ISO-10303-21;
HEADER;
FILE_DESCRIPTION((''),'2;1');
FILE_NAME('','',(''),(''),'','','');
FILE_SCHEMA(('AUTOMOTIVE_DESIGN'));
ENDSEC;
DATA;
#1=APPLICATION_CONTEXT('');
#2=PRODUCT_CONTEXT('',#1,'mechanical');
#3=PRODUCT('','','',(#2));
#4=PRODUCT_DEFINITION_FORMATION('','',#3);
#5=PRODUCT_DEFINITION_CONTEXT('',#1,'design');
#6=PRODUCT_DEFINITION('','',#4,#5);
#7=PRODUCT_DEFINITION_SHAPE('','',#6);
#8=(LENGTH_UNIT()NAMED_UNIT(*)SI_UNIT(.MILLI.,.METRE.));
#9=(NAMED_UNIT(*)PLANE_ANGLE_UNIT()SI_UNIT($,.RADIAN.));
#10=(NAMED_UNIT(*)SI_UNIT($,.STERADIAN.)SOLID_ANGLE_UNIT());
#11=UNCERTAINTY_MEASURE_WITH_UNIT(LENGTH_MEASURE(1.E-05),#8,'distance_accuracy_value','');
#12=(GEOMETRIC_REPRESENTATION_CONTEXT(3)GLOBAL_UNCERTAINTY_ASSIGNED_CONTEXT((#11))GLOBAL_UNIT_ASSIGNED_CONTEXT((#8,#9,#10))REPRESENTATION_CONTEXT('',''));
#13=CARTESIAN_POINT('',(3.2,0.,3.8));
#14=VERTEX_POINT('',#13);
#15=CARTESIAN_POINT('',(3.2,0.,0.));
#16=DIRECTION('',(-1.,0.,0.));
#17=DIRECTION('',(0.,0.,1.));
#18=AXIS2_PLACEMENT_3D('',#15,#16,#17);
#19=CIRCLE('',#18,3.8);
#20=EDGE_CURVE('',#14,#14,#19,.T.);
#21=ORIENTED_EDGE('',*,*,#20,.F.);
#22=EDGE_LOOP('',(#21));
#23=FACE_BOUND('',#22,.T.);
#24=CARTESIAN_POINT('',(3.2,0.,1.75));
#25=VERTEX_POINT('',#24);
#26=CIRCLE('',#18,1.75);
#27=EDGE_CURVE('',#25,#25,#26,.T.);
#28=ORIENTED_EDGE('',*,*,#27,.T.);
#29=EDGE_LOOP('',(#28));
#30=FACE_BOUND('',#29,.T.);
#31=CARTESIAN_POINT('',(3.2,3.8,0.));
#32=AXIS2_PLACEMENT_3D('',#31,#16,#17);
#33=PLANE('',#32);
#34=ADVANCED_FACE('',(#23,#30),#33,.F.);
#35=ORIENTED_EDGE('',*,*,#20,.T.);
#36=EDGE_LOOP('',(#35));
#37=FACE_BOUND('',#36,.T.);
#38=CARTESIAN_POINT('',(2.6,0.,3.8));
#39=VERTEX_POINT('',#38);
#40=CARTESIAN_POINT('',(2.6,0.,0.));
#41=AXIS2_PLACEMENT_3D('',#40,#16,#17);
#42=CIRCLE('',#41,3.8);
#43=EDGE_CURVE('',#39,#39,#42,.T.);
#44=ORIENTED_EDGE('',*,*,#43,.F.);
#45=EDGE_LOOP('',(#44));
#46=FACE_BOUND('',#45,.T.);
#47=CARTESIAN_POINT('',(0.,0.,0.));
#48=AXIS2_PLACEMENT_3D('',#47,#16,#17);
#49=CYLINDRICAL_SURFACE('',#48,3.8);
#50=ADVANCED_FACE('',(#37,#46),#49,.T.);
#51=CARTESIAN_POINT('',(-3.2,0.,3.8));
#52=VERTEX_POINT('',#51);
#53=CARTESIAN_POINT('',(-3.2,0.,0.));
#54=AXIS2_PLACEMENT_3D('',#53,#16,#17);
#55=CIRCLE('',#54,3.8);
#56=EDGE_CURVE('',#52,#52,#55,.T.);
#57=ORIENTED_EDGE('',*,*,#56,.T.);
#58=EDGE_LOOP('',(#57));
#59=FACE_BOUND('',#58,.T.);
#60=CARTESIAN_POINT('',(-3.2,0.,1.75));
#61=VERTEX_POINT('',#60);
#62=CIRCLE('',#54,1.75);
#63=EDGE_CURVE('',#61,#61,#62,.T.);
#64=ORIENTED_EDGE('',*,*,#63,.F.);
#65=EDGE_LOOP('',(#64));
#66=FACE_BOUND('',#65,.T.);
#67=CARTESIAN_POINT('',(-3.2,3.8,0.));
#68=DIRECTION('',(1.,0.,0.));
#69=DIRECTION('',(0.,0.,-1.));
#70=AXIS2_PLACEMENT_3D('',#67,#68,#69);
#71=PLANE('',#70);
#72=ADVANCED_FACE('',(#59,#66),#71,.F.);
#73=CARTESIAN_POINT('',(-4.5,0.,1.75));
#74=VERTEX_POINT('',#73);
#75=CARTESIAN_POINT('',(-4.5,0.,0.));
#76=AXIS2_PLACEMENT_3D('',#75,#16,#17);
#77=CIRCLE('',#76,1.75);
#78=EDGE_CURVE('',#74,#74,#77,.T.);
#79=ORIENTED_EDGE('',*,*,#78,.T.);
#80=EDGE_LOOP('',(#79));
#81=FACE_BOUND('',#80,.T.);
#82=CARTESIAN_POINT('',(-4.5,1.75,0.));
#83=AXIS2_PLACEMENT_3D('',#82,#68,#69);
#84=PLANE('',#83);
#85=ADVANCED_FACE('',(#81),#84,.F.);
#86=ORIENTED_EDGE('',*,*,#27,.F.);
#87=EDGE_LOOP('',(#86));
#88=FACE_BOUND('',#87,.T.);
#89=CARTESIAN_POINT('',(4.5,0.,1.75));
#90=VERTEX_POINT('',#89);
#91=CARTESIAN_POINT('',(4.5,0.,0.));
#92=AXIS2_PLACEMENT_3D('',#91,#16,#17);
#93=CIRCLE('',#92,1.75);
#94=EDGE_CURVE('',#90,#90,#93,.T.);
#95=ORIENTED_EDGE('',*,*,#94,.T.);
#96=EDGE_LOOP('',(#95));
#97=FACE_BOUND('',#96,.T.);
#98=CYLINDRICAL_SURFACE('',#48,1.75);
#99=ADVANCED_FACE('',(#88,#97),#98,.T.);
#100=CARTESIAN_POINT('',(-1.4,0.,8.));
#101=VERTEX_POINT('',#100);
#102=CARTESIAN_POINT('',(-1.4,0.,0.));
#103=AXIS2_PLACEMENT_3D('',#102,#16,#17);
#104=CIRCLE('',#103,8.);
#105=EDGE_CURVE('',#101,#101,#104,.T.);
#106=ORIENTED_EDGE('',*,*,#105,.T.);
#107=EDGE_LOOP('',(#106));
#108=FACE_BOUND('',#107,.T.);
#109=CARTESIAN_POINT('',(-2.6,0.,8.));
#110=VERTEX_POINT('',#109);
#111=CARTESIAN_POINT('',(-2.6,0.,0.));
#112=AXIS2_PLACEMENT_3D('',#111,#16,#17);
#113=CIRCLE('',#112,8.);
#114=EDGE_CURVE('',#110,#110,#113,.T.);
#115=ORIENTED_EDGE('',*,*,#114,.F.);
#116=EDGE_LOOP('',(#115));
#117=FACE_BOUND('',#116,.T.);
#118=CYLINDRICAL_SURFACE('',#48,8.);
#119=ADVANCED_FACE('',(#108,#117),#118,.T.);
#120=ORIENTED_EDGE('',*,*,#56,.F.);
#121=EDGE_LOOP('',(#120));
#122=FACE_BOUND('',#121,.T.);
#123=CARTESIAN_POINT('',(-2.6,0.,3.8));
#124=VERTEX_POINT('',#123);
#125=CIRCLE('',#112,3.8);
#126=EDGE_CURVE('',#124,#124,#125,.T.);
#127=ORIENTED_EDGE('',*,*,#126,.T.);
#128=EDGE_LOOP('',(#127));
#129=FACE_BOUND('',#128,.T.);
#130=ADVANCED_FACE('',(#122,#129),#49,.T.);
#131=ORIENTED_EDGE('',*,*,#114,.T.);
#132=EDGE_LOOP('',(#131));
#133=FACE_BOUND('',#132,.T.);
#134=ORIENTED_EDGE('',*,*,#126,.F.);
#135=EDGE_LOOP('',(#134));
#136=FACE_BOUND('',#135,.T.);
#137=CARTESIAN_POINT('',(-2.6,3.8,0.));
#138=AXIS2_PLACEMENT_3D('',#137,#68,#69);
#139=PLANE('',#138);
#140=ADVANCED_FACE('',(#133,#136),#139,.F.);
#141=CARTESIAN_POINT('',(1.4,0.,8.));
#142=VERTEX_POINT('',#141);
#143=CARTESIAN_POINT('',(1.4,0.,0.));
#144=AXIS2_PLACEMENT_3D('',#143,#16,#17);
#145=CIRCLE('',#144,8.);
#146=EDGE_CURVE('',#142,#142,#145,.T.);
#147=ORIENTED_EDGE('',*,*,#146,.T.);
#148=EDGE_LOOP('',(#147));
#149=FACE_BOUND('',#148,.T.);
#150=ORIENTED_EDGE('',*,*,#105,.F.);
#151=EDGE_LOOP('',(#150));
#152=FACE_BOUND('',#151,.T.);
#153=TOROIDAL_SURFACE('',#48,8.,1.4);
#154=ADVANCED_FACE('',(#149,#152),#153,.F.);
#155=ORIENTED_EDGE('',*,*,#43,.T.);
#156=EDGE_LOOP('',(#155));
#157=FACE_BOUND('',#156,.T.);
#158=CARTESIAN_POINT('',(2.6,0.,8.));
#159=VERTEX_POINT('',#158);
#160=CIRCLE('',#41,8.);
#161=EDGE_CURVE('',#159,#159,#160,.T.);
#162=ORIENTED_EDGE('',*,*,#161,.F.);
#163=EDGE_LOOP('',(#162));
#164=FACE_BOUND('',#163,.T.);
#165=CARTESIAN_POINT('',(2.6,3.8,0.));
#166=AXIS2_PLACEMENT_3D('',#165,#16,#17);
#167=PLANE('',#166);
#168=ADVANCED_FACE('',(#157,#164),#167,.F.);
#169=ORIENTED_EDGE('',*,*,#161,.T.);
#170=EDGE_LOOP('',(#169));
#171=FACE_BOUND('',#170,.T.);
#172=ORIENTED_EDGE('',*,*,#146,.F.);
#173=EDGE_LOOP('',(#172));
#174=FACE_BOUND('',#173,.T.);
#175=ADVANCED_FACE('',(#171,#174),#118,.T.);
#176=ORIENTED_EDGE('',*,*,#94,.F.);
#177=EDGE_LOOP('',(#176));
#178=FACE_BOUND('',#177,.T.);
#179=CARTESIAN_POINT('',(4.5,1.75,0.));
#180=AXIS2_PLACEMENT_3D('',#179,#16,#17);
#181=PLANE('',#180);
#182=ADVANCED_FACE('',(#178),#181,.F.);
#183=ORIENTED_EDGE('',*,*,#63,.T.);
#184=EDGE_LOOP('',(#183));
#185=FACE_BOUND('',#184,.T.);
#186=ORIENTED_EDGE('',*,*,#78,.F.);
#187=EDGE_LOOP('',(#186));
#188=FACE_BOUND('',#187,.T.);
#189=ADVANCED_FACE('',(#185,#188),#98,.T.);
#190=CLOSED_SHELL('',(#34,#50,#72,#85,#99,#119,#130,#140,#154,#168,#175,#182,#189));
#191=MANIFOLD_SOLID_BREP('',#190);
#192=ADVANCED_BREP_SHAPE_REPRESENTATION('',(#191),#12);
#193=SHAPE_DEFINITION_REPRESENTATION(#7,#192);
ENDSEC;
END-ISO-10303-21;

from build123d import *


with BuildPart() as part:
    # Sketch1 → Revolve1 (revolve)
    with BuildSketch(Plane.XY, mode=Mode.PRIVATE) as revolve1_sk:
        with BuildLine():
            Line((2.6, 3.8), (2.6, 8))
            Line((2.6, 8), (1.4, 8))
            ThreePointArc((1.4, 8), (0, 6.6), (-1.4, 8))
            Line((-1.4, 8), (-2.6, 8))
            Line((-2.6, 8), (-2.6, 3.8))
            Line((-2.6, 3.8), (-3.2, 3.8))
            Line((-3.2, 3.8), (-3.2, 1.75))
            Line((-3.2, 1.75), (-4.5, 1.75))
            Line((-4.5, 1.75), (-4.5, 0))
            Line((-4.5, 0), (4.5, 0))
            Line((4.5, 0), (4.5, 1.75))
            Line((4.5, 1.75), (3.2, 1.75))
            Line((3.2, 1.75), (3.2, 3.8))
            Line((3.2, 3.8), (2.6, 3.8))
        make_face()
    revolve(revolve1_sk.sketch.rotate(Axis((0, 0, 0), (1, 0, 0)), 90), axis=Axis((0, 0, 0), (1, 0, 0)))


solid = part.part
